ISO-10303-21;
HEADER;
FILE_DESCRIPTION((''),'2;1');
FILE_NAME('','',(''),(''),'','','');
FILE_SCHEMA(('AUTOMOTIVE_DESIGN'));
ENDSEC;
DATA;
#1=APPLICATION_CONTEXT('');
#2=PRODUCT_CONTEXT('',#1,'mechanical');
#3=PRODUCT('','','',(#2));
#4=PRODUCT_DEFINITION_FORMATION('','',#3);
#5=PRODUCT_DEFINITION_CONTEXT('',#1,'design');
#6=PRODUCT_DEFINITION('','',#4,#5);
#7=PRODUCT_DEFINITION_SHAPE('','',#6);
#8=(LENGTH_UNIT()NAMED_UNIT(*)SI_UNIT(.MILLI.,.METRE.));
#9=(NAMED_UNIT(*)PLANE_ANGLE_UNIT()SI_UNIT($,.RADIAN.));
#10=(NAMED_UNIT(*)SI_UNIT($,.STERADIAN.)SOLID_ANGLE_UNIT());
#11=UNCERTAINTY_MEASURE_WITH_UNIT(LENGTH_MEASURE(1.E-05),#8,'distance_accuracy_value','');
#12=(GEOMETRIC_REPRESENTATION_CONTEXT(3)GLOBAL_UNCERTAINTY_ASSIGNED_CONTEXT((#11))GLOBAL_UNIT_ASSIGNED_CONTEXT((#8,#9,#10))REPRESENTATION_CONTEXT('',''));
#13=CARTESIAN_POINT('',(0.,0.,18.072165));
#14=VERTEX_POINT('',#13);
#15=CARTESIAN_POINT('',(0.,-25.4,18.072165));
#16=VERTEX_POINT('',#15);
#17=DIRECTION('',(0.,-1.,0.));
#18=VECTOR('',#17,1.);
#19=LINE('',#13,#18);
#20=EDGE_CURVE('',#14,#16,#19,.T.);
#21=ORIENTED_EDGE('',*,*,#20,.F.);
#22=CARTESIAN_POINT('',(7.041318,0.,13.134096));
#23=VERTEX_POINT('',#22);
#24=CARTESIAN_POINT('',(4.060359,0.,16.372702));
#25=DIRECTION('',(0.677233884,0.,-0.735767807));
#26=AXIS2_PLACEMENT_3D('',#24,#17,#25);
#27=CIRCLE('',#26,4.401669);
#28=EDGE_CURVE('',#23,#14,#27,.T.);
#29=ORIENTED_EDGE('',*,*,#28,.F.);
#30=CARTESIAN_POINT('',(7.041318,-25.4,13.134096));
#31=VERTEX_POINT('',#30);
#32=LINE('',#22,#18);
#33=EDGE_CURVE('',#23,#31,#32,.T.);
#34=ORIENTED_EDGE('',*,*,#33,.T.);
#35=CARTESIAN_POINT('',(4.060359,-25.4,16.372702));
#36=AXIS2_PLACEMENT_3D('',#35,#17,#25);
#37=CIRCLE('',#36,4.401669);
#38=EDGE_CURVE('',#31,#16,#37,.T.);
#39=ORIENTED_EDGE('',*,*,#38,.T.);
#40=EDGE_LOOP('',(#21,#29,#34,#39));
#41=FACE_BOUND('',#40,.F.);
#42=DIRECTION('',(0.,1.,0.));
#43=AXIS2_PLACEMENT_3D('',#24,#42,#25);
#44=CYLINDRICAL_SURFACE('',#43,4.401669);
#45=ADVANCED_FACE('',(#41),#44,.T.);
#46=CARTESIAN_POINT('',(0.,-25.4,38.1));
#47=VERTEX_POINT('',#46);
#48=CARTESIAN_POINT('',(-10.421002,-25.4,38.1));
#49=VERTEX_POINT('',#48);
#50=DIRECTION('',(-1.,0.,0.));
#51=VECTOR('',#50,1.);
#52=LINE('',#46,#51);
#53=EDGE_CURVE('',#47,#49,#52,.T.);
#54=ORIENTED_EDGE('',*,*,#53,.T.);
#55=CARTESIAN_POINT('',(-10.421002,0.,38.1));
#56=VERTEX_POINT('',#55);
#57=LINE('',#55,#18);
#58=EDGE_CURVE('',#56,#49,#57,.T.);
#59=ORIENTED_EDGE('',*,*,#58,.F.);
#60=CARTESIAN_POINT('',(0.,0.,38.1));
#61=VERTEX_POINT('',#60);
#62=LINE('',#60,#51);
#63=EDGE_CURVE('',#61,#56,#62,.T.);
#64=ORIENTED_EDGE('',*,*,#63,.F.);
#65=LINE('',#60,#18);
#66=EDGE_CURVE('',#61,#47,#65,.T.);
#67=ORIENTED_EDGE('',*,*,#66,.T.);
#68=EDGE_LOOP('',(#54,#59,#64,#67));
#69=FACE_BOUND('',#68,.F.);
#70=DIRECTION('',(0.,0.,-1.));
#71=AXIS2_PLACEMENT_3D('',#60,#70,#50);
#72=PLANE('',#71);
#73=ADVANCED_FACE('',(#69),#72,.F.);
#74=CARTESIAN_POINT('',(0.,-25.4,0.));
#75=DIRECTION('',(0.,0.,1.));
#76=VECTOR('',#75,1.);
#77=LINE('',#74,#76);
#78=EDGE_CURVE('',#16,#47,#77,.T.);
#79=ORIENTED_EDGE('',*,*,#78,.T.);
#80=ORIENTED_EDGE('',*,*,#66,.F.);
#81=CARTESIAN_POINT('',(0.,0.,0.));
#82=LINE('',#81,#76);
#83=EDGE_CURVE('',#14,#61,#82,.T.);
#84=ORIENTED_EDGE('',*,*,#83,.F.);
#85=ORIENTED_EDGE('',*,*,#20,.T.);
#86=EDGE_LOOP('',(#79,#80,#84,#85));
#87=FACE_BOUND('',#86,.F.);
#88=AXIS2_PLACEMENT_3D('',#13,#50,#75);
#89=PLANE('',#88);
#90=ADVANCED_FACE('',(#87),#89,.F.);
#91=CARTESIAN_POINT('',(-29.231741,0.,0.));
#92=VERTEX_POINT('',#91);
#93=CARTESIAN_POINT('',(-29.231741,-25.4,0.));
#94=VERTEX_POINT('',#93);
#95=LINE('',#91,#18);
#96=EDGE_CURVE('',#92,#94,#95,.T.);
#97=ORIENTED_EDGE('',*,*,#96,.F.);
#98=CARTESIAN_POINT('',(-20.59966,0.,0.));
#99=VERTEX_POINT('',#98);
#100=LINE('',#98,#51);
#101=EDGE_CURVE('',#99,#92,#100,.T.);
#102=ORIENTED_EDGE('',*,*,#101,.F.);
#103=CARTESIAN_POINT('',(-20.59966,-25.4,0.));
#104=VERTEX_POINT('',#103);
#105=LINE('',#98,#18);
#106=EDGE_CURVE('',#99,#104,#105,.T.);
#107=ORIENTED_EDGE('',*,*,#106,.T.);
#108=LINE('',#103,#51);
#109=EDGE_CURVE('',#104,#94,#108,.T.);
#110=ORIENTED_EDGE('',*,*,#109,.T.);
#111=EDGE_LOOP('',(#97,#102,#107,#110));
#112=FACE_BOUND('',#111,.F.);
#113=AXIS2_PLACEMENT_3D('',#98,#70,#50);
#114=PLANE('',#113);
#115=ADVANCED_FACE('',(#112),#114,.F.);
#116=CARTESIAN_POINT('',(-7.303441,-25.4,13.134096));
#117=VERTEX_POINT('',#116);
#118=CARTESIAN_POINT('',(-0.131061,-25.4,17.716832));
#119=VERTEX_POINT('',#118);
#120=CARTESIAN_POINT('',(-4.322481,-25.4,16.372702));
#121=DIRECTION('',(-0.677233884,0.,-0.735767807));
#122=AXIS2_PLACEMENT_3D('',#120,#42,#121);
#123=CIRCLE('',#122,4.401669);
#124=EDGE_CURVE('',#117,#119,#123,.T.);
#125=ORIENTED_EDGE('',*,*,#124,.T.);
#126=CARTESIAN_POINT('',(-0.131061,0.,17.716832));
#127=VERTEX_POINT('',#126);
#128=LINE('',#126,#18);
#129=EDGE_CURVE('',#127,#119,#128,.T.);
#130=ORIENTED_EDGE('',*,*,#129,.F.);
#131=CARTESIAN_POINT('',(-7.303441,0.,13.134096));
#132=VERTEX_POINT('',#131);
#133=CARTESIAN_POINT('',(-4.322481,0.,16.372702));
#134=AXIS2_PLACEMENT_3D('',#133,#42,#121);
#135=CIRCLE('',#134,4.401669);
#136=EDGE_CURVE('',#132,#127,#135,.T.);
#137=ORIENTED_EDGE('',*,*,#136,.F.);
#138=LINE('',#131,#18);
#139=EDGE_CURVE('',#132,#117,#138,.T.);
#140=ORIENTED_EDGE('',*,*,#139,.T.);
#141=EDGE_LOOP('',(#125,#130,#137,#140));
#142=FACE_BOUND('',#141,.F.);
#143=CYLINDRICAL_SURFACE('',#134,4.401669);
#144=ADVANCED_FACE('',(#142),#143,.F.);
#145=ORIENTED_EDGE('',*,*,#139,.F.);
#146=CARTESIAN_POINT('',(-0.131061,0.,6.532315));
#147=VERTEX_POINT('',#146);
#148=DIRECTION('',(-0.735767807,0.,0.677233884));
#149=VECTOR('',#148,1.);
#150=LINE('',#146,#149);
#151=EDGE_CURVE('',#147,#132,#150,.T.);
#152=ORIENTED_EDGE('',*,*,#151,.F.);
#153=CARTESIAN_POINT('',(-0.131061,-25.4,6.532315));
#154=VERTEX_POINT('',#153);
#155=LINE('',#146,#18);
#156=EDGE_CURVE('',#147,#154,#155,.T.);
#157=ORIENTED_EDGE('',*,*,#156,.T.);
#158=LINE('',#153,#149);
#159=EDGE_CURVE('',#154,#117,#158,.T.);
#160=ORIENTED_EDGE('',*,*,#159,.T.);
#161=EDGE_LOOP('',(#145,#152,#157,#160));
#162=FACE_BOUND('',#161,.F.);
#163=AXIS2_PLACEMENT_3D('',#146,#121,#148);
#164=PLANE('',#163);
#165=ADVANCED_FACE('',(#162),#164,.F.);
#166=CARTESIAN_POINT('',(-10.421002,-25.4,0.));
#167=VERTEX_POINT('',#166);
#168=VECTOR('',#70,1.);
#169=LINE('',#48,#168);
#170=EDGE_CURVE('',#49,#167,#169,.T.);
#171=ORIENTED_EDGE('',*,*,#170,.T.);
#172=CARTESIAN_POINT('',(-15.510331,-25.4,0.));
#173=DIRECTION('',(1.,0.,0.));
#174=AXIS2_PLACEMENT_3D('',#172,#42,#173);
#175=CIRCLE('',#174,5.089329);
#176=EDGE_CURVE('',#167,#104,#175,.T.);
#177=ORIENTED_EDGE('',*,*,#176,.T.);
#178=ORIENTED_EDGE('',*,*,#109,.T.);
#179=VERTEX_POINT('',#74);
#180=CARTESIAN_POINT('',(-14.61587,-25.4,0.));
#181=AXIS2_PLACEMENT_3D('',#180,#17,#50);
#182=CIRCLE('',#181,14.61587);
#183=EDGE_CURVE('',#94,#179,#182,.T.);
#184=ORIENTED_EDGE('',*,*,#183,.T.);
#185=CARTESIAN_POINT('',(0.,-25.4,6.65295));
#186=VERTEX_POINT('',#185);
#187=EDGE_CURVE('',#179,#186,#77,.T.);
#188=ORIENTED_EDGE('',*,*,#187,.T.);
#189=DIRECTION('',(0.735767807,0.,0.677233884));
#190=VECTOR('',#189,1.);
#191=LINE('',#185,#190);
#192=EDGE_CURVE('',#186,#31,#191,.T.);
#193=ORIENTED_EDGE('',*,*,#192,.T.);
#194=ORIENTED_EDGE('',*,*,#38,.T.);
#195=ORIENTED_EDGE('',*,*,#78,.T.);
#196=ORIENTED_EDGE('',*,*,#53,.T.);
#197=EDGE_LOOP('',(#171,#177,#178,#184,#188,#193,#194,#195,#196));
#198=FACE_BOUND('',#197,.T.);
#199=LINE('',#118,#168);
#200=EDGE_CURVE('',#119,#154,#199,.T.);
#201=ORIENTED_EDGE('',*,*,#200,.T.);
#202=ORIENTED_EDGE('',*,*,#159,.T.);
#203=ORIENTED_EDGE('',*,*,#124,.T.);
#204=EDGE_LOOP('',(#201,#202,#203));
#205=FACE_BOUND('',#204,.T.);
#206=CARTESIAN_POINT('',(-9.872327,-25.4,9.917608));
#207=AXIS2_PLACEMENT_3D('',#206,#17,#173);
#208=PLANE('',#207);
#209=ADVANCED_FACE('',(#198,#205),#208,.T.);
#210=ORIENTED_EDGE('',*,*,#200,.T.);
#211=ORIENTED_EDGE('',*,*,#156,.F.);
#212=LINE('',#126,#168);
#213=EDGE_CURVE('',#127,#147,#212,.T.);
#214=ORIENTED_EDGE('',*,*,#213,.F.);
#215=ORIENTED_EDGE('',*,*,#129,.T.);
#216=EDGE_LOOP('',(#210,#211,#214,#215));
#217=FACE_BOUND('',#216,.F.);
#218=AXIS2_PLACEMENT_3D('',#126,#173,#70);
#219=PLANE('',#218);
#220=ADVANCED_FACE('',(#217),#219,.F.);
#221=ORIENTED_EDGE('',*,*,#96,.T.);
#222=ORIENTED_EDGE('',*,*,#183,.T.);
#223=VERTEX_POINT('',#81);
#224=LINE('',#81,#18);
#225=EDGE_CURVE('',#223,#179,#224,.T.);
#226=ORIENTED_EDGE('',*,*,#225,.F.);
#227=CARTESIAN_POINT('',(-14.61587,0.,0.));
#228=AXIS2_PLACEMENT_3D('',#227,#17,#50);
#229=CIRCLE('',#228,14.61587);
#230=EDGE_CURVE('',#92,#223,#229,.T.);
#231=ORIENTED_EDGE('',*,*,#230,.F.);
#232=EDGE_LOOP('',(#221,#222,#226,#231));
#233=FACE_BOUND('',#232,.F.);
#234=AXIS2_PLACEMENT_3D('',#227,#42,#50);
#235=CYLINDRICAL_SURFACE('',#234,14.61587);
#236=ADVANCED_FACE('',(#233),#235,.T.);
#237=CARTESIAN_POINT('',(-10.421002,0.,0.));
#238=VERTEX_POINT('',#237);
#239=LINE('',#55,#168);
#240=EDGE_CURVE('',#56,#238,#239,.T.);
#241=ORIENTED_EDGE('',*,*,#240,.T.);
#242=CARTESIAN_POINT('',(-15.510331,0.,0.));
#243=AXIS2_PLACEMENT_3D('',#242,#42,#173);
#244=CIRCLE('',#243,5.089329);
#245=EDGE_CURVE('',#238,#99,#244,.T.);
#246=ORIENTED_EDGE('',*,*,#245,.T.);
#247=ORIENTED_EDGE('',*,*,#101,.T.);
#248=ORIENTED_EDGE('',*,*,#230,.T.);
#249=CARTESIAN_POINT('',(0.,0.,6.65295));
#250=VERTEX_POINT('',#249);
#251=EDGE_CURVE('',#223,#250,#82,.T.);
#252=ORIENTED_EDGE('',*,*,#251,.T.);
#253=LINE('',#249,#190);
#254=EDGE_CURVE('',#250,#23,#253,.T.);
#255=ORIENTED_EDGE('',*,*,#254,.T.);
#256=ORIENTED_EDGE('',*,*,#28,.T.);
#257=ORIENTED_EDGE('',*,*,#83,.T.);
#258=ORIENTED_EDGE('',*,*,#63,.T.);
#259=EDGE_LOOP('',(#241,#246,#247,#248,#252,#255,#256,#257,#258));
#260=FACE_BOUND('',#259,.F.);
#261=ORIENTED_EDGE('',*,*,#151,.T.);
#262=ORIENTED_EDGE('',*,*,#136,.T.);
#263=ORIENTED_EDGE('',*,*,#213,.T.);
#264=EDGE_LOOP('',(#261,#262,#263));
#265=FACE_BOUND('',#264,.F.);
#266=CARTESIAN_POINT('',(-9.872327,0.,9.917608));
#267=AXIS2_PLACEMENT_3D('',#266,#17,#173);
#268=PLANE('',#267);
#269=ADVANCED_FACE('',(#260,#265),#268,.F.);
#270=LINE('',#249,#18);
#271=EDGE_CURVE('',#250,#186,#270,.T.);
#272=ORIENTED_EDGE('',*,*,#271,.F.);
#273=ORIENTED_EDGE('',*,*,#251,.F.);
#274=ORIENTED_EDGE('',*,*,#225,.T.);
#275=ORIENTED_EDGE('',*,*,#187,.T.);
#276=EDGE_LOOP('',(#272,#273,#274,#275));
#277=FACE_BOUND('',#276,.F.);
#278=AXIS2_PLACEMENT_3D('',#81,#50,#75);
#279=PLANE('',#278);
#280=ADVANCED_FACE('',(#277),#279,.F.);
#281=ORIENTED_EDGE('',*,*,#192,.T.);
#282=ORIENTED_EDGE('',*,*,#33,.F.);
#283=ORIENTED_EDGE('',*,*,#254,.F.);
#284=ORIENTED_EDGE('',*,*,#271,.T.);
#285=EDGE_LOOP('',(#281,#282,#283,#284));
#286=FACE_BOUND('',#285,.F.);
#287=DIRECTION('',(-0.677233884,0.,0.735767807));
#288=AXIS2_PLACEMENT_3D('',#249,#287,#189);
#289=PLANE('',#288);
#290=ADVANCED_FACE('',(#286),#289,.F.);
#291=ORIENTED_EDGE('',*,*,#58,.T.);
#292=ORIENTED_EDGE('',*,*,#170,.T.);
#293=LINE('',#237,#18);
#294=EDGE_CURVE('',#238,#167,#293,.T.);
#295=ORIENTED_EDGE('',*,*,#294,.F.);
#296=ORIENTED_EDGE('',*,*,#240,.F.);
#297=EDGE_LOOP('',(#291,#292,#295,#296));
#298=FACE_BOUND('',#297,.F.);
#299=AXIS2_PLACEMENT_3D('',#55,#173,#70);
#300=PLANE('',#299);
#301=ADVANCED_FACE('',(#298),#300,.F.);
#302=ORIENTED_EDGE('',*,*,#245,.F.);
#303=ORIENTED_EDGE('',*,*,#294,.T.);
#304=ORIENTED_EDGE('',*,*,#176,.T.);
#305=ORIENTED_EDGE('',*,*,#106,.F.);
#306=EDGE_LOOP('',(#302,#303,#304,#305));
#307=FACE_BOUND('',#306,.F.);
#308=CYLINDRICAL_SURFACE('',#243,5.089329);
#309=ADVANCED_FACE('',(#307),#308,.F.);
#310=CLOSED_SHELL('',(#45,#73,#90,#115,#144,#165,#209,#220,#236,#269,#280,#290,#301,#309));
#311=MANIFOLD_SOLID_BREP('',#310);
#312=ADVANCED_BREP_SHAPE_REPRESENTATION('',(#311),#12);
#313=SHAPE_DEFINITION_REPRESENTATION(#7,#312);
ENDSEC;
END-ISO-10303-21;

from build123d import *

# Parameters (mm, degrees)
F1_DEPTH = 25.4


with BuildPart() as f1:
    # F0 (on Front) → F1 (new body)
    with BuildSketch(Plane.XZ):
        with BuildLine():
            ThreePointArc((-29.2317408129, 0), (-14.6158704065, -14.6158704065), (0, 0))
            Line((0, 0), (0, 6.6529495651))
            Line((0, 6.6529495651), (-0.1310613629, 6.5323147738))
            Line((-0.1310613629, 6.5323147738), (-7.3034405077, 13.1340961215))
            ThreePointArc((-7.3034405077, 13.1340961215), (-6.6924329737, 20.0818821116), (-0.1310613629, 17.7168318043))
            ThreePointArc((-0.1310613629, 17.7168318043), (-0.0693541961, 17.8959086591), (0, 18.0721649776))
            Line((0, 18.0721649776), (0, 38.1))
            Line((0, 38.1), (-10.4210021347, 38.1))
            Line((-10.4210021347, 38.1), (-10.4210021347, 0))
            ThreePointArc((-10.4210021347, 0), (-15.5103308463, -5.0893287117), (-20.599659558, 0))
            Line((-20.599659558, 0), (-29.2317408129, 0))
        make_face()
        with BuildLine():
            Line((-0.1310613629, 6.5323147738), (0, 6.6529495651))
            Line((0, 6.6529495651), (0, 18.0721649776))
            ThreePointArc((0, 18.0721649776), (-0.0693541961, 17.8959086591), (-0.1310613629, 17.7168318043))
            Line((-0.1310613629, 17.7168318043), (-0.1310613629, 6.5323147738))
        make_face()
        with BuildLine():
            Line((0, 18.0721649776), (0, 6.6529495651))
            Line((0, 6.6529495651), (7.0413177818, 13.1340961215))
            ThreePointArc((7.0413177818, 13.1340961215), (6.5876906316, 19.9764889944), (0, 18.0721649776))
        make_face()
    extrude(amount=F1_DEPTH)


solid = f1.part
